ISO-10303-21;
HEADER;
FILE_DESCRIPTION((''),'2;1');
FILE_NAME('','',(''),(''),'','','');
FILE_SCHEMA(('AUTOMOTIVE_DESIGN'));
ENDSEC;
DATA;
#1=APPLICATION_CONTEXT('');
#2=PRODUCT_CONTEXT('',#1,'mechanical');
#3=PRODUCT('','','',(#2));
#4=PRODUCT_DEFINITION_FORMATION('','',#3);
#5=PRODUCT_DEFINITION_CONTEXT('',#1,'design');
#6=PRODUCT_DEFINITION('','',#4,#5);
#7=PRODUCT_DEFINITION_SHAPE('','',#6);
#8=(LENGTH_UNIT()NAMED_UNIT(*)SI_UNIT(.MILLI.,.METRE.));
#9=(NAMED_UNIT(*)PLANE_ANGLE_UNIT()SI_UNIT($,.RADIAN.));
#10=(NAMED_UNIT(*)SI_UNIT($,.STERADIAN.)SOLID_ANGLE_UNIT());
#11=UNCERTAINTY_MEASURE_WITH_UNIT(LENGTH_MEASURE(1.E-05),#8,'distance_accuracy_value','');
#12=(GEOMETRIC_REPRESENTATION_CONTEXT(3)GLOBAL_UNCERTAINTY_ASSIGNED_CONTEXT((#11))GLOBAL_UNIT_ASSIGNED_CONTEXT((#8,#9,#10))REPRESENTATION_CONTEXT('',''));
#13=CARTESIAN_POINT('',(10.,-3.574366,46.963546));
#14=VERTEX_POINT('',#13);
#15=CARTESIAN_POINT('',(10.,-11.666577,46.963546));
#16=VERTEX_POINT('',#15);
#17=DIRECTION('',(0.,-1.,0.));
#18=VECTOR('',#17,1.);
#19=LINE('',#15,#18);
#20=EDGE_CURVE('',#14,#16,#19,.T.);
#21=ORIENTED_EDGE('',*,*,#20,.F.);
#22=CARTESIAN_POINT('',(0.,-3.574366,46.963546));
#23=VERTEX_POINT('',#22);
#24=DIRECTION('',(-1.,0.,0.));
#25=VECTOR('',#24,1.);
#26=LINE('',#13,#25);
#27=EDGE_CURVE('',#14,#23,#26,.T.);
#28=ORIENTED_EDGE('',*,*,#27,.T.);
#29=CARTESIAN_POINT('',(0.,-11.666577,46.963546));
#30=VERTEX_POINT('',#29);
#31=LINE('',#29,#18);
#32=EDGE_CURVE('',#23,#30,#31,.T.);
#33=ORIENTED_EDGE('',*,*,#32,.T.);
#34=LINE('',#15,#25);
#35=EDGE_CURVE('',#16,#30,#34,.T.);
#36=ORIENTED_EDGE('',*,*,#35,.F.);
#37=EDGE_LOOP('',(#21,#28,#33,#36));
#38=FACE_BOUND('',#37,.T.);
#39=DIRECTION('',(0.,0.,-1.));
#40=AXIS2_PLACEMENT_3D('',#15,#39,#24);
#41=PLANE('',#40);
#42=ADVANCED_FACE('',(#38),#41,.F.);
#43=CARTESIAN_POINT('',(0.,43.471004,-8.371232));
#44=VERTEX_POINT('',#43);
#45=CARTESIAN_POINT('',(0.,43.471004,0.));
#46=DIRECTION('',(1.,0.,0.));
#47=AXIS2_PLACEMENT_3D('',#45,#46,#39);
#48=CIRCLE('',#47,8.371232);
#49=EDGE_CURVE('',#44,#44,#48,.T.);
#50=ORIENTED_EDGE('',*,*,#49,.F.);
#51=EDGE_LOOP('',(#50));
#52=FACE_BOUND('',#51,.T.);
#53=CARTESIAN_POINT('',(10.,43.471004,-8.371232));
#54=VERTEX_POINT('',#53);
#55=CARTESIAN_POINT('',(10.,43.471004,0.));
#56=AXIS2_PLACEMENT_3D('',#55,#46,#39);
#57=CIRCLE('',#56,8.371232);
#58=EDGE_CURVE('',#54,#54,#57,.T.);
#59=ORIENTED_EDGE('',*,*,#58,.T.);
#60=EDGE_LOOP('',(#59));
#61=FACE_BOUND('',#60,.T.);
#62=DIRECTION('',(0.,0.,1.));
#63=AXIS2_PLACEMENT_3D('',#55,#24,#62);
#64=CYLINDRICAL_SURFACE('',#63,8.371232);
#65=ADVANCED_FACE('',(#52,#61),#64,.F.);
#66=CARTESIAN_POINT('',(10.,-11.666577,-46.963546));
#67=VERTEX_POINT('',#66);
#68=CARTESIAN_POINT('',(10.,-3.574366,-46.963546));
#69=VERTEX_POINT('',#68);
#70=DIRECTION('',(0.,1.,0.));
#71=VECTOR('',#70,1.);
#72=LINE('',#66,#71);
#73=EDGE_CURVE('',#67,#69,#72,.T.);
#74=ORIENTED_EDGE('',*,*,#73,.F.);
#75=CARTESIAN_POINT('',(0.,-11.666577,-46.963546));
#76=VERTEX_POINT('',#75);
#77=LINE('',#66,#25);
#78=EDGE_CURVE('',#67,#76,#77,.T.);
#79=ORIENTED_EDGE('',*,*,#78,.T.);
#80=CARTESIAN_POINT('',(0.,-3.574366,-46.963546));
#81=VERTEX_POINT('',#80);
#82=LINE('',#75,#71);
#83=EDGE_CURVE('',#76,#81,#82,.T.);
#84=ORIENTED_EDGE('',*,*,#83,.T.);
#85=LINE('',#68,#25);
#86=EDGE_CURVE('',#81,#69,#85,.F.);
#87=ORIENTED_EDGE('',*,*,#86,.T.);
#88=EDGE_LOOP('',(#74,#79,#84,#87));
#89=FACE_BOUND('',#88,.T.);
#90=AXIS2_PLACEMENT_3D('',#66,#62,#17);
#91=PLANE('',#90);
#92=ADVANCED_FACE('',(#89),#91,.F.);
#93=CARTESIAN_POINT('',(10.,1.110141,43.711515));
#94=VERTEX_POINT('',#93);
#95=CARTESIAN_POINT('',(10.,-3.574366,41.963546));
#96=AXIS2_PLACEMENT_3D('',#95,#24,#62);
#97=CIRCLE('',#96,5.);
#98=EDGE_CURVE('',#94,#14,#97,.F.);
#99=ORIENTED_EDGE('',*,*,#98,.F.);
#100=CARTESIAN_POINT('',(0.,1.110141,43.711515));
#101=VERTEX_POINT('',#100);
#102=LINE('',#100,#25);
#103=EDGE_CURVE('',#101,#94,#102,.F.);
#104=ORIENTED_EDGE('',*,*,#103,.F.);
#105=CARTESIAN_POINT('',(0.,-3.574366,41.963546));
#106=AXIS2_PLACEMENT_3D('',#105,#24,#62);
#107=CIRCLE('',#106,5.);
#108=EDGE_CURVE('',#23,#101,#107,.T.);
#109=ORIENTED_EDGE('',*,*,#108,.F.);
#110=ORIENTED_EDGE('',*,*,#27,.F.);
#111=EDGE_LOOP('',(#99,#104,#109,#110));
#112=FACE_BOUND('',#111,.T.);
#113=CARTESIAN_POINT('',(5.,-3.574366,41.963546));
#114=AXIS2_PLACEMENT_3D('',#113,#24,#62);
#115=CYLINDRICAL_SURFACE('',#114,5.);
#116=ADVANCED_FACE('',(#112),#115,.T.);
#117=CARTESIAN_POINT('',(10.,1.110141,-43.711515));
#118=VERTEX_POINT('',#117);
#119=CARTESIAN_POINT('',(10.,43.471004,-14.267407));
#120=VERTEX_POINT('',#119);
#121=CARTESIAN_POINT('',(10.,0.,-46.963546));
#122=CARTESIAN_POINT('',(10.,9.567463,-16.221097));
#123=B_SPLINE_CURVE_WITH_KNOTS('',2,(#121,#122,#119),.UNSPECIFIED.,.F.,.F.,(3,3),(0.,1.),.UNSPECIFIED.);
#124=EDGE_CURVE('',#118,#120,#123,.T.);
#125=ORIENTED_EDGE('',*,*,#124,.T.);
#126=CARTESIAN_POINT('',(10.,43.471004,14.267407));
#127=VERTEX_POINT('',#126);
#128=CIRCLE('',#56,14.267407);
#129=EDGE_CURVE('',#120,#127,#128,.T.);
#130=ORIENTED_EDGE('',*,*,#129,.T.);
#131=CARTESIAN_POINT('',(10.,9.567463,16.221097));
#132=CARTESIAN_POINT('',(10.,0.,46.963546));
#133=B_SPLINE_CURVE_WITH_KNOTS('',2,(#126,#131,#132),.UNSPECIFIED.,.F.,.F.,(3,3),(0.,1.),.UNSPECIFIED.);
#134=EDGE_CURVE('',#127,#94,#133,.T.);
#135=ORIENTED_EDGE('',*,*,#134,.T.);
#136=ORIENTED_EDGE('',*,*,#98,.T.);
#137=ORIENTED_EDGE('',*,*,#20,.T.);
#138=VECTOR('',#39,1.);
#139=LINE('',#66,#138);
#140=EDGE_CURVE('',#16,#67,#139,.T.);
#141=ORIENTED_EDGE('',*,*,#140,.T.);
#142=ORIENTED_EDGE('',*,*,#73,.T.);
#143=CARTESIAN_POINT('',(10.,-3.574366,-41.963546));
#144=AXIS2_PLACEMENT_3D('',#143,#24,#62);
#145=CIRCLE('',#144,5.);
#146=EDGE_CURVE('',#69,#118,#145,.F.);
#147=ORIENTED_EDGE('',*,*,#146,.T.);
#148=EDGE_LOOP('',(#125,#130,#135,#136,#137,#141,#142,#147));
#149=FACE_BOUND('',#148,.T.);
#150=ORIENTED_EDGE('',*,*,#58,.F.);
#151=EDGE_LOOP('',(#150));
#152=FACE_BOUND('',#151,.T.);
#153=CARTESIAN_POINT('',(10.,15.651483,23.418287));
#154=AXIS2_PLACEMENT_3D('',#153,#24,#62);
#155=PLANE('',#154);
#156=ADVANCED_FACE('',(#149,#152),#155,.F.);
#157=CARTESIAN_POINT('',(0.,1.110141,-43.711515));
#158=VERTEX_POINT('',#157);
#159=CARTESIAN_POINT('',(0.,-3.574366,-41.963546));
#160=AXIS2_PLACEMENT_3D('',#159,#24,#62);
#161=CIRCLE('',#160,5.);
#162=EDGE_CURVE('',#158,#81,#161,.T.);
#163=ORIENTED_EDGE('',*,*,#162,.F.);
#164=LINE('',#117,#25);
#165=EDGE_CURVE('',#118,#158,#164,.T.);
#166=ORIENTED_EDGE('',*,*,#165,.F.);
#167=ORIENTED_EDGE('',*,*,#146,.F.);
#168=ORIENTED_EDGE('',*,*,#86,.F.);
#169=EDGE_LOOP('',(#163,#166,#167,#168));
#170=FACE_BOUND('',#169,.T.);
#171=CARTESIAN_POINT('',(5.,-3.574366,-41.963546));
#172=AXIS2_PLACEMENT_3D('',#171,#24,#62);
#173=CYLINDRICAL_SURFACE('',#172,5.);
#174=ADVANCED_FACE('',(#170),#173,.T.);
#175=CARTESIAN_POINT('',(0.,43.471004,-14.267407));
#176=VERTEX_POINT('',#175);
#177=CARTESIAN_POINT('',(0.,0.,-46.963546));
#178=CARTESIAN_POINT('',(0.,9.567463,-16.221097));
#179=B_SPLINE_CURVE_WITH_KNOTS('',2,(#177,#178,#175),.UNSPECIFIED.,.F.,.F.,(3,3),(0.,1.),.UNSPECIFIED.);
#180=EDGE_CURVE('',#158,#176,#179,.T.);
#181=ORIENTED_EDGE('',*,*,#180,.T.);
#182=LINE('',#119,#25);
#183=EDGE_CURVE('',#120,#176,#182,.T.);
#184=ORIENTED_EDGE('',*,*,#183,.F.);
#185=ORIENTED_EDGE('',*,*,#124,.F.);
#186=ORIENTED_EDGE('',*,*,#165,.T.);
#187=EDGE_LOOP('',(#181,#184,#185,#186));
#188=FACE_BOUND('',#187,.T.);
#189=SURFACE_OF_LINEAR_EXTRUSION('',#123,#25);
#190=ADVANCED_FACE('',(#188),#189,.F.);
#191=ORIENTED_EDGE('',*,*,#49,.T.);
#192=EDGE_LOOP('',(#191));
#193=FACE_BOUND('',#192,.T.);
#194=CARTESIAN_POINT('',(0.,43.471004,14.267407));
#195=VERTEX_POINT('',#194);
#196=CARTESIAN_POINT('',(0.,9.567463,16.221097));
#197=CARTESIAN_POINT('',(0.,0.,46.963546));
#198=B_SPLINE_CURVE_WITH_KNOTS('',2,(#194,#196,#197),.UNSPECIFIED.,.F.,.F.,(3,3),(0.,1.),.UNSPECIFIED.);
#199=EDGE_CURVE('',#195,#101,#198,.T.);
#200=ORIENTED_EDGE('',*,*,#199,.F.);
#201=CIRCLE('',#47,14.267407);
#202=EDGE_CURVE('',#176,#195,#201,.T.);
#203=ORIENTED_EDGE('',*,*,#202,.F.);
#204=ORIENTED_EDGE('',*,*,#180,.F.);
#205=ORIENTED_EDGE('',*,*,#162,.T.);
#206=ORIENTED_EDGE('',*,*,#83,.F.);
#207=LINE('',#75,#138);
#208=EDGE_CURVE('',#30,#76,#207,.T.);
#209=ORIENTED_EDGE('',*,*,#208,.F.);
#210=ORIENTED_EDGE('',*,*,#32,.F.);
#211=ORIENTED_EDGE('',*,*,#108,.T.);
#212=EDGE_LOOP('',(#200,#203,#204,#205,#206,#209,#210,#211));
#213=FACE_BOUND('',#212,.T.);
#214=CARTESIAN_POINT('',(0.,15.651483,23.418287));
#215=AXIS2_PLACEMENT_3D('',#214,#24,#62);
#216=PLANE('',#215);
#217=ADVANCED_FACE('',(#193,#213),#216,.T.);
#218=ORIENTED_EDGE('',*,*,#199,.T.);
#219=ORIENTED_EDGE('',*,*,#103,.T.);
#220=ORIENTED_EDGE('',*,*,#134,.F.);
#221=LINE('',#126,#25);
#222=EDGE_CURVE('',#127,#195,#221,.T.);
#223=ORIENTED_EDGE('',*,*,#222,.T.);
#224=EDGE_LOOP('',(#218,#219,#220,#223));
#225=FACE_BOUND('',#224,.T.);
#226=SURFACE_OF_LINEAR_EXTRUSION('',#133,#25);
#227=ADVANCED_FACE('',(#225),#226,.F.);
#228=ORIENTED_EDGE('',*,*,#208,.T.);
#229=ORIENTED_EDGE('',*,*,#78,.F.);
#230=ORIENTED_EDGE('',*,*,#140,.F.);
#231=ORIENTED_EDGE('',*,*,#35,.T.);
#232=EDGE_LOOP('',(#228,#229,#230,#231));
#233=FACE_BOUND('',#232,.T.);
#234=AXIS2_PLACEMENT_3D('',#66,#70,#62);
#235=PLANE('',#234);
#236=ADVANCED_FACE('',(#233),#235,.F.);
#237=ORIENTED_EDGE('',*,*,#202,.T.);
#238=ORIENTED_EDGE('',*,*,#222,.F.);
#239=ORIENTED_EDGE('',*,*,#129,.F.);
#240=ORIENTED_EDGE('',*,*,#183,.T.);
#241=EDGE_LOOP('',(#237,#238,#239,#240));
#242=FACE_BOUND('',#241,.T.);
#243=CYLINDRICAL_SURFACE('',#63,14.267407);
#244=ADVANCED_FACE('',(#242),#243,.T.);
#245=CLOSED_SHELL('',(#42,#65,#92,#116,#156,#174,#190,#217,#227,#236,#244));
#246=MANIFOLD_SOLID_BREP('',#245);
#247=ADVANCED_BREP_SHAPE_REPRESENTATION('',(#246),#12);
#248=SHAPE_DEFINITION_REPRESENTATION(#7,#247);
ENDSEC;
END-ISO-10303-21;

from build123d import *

# Parameters (mm, degrees)
SKETCH1_R           = 8.371232018
BOSS_EXTRUDE1_DEPTH = 10
FILLET1_R           = 5


with BuildPart() as part:
    # Sketch1 → Boss-Extrude1 (new body)
    with BuildSketch(Plane(origin=(0, 0, 0), x_dir=(0, 0, -1), z_dir=(1, 0, 0))):
        with BuildLine():
            Line((46.963546465, -11.666577207), (-46.963546465, -11.666577207))
            Line((-46.963546465, -11.666577207), (-46.963546465, 0))
            add(Edge.make_bspline(
                [(-46.963546465, 0), (-16.221096815, 9.567463223), (-14.267406521, 43.471004243)],
                knots=[0, 0, 0, 1, 1, 1], degree=2))
            ThreePointArc((-14.267406521, 43.471004243), (0, 57.738410764), (14.267406521, 43.471004243))
            add(Edge.make_bspline(
                [(46.963546465, 0), (16.221096815, 9.567463223), (14.267406521, 43.471004243)],
                knots=[0, 0, 0, 1, 1, 1], degree=2))
            Line((46.963546465, 0), (46.963546465, -11.666577207))
        make_face()
        with Locations((0, 43.471004243)):
            Circle(SKETCH1_R, mode=Mode.SUBTRACT)
    extrude(amount=BOSS_EXTRUDE1_DEPTH)

    # Fillet1
    fillet1_edges = [part.edges().sort_by_distance(p)[0] for p in [
        (5, 0, 46.963546465),
        (5, 0, -46.963546465),
    ]]
    fillet(fillet1_edges, radius=FILLET1_R)


solid = part.part
